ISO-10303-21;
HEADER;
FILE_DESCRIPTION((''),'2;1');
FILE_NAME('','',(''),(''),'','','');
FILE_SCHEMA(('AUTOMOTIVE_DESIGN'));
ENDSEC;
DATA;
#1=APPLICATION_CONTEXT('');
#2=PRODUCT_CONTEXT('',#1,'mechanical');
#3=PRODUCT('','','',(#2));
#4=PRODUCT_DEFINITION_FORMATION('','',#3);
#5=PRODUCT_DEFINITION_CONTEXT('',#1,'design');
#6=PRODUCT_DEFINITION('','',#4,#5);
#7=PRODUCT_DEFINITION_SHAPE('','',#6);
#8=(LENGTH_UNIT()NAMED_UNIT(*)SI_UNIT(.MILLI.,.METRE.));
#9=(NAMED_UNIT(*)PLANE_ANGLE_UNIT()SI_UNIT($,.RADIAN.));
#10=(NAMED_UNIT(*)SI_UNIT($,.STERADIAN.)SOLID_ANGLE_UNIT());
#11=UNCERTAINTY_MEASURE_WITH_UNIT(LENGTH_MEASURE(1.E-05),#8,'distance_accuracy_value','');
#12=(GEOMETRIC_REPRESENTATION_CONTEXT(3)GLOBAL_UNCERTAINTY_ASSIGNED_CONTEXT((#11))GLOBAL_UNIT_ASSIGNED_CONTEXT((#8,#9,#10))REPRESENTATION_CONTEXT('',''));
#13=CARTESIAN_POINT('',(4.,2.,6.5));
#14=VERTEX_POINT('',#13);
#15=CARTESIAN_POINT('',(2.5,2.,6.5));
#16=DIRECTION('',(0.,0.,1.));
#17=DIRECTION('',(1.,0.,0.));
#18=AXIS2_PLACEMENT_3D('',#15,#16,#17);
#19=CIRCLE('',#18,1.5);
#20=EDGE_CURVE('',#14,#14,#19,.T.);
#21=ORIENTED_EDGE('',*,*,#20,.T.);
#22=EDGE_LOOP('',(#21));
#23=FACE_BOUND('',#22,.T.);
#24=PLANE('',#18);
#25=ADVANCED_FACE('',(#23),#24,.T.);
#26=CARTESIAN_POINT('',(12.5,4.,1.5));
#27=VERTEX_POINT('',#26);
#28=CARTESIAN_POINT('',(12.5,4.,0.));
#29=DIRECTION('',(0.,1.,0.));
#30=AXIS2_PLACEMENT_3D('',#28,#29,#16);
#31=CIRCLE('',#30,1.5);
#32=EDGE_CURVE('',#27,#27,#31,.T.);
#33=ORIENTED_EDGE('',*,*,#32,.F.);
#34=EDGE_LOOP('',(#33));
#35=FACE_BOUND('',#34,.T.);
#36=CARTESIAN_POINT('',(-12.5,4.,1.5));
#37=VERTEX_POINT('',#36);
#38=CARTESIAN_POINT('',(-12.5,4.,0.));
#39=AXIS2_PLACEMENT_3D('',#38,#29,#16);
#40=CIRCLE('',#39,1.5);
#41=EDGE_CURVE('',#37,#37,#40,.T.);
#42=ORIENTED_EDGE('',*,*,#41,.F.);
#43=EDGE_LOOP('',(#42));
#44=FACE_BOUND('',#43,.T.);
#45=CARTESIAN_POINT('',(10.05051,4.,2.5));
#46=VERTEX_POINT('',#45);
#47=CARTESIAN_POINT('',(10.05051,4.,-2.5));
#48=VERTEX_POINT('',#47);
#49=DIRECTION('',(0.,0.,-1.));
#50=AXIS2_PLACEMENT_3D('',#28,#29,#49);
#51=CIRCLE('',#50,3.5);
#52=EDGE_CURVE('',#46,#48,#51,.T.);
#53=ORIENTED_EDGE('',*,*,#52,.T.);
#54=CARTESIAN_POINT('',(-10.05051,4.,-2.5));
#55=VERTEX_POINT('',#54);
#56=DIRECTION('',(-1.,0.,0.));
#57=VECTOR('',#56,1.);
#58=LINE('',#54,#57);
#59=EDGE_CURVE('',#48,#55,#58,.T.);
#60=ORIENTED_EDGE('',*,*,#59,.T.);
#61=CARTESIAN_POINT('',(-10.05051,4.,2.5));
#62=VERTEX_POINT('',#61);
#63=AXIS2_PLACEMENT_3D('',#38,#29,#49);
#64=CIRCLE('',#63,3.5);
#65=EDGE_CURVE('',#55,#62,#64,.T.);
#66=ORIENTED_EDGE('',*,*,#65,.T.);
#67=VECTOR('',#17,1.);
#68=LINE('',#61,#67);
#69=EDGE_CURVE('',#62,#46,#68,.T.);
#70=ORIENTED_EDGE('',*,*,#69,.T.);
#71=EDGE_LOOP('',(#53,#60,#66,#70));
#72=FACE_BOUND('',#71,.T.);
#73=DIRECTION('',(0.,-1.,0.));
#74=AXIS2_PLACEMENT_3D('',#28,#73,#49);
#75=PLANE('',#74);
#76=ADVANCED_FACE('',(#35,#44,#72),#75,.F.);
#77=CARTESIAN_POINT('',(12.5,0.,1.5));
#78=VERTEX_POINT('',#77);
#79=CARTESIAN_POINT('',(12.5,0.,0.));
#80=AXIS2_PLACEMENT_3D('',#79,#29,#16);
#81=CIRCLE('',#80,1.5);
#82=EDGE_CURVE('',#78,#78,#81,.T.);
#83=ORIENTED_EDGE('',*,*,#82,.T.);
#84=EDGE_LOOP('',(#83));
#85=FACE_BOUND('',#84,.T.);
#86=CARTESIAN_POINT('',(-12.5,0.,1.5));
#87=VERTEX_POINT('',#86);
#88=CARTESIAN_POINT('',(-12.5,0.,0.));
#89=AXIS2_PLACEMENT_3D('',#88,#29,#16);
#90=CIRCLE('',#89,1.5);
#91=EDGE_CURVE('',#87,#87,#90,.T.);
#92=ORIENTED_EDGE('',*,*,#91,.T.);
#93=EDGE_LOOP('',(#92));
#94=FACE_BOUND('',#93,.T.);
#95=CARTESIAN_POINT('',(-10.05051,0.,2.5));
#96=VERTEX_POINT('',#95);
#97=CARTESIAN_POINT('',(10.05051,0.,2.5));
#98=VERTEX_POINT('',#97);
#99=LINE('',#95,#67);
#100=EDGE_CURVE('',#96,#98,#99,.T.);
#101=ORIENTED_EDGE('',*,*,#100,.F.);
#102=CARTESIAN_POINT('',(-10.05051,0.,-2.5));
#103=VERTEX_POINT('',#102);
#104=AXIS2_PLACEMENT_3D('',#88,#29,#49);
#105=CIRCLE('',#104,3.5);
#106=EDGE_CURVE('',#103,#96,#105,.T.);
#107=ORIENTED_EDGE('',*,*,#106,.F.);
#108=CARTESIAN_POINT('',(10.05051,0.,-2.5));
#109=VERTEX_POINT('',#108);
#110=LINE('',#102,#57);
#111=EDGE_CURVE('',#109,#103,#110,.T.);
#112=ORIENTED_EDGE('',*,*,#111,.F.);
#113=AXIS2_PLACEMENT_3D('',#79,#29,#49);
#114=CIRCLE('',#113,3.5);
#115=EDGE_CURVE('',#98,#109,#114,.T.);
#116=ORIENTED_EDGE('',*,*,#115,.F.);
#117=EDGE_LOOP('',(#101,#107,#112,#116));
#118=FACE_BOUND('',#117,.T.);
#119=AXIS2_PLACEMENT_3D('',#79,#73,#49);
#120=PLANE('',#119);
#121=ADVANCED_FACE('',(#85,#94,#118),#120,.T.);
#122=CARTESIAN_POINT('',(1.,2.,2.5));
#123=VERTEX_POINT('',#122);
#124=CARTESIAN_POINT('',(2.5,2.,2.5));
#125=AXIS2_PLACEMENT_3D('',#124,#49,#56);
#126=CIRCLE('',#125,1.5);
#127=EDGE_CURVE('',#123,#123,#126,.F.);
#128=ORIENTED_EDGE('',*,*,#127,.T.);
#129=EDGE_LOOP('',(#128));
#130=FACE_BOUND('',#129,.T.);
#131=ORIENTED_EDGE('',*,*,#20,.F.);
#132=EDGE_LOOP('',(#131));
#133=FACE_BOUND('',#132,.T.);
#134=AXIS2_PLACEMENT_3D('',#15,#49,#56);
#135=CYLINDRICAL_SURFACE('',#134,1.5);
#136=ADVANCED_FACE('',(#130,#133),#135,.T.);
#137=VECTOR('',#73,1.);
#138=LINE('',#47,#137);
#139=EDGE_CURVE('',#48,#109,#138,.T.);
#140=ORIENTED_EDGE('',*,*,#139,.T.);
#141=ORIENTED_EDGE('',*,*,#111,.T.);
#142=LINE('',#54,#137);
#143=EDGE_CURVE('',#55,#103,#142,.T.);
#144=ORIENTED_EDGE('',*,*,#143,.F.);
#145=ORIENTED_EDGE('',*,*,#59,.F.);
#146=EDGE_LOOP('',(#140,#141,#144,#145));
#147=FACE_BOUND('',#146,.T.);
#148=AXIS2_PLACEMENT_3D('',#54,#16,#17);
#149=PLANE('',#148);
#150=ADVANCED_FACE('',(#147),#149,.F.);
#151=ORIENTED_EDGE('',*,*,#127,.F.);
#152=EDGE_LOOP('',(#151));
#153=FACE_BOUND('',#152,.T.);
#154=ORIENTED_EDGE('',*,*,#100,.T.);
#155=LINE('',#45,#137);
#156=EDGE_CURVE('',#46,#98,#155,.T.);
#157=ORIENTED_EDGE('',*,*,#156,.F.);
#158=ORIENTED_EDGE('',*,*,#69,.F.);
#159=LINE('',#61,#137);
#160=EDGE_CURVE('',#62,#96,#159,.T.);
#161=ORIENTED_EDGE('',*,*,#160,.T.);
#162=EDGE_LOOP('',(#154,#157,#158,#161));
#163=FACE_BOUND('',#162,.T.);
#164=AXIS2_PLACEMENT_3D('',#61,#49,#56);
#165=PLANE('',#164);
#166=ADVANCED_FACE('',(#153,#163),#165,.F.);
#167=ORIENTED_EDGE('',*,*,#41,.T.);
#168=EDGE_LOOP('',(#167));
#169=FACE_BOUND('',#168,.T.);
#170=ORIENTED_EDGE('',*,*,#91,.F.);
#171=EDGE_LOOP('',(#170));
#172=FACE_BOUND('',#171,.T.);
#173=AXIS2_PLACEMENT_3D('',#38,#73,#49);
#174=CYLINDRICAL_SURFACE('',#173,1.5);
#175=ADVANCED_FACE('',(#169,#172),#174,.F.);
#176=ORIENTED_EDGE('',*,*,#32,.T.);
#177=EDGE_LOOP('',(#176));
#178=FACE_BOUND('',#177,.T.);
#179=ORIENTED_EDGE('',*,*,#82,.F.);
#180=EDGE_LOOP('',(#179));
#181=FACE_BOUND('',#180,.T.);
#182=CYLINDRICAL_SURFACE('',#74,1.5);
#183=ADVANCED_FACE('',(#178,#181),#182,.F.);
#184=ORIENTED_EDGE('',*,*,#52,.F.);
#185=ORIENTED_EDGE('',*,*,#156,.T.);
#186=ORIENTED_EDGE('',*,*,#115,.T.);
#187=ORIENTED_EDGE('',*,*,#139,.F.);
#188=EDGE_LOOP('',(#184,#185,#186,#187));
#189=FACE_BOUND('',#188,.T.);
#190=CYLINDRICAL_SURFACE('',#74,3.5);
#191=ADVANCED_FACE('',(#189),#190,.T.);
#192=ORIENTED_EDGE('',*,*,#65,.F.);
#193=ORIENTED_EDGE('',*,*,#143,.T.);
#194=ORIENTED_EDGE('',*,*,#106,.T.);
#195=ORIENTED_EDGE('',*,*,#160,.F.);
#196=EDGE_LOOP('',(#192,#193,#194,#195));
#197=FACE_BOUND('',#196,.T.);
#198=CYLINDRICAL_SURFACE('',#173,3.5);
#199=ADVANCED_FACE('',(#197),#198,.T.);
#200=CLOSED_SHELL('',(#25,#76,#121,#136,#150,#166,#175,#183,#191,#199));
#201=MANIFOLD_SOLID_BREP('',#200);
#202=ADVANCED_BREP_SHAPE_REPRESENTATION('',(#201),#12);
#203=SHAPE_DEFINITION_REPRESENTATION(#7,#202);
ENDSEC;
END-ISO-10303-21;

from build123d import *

# Parameters (mm, degrees)
SKETCH_1_R      = 1.5
EXTRUDE_1_DEPTH = 4
SKETCH_2_R      = 1.5
EXTRUDE_2_DEPTH = 4


with BuildPart() as part:
    # Эскиз1 → Бобышка-Вытянуть1 (new body)
    with BuildSketch(Plane(origin=(0, 0, 0), x_dir=(1, 0, 0), z_dir=(0, 1, 0))):
        with BuildLine():
            Line((-10.050510257, -2.5), (10.050510257, -2.5))
            ThreePointArc((10.050510257, -2.5), (16, 0), (10.050510257, 2.5))
            Line((10.050510257, 2.5), (-10.050510257, 2.5))
            ThreePointArc((-10.050510257, 2.5), (-16, 0), (-10.050510257, -2.5))
        make_face()
        with Locations(Location((-12.5, 0, 0), (0, 0, 270))):
            Circle(SKETCH_1_R, mode=Mode.SUBTRACT)
        with Locations(Location((12.5, 0, 0), (0, 0, 270))):
            Circle(SKETCH_1_R, mode=Mode.SUBTRACT)
    extrude(amount=EXTRUDE_1_DEPTH)

    # Эскиз2 → Бобышка-Вытянуть2 (add)
    with BuildSketch(Plane.XY.offset(2.5)):
        with Locations(Location((2.5, 2, 0), (0, 0, 180))):
            Circle(SKETCH_2_R)
    extrude(amount=EXTRUDE_2_DEPTH)


solid = part.part
